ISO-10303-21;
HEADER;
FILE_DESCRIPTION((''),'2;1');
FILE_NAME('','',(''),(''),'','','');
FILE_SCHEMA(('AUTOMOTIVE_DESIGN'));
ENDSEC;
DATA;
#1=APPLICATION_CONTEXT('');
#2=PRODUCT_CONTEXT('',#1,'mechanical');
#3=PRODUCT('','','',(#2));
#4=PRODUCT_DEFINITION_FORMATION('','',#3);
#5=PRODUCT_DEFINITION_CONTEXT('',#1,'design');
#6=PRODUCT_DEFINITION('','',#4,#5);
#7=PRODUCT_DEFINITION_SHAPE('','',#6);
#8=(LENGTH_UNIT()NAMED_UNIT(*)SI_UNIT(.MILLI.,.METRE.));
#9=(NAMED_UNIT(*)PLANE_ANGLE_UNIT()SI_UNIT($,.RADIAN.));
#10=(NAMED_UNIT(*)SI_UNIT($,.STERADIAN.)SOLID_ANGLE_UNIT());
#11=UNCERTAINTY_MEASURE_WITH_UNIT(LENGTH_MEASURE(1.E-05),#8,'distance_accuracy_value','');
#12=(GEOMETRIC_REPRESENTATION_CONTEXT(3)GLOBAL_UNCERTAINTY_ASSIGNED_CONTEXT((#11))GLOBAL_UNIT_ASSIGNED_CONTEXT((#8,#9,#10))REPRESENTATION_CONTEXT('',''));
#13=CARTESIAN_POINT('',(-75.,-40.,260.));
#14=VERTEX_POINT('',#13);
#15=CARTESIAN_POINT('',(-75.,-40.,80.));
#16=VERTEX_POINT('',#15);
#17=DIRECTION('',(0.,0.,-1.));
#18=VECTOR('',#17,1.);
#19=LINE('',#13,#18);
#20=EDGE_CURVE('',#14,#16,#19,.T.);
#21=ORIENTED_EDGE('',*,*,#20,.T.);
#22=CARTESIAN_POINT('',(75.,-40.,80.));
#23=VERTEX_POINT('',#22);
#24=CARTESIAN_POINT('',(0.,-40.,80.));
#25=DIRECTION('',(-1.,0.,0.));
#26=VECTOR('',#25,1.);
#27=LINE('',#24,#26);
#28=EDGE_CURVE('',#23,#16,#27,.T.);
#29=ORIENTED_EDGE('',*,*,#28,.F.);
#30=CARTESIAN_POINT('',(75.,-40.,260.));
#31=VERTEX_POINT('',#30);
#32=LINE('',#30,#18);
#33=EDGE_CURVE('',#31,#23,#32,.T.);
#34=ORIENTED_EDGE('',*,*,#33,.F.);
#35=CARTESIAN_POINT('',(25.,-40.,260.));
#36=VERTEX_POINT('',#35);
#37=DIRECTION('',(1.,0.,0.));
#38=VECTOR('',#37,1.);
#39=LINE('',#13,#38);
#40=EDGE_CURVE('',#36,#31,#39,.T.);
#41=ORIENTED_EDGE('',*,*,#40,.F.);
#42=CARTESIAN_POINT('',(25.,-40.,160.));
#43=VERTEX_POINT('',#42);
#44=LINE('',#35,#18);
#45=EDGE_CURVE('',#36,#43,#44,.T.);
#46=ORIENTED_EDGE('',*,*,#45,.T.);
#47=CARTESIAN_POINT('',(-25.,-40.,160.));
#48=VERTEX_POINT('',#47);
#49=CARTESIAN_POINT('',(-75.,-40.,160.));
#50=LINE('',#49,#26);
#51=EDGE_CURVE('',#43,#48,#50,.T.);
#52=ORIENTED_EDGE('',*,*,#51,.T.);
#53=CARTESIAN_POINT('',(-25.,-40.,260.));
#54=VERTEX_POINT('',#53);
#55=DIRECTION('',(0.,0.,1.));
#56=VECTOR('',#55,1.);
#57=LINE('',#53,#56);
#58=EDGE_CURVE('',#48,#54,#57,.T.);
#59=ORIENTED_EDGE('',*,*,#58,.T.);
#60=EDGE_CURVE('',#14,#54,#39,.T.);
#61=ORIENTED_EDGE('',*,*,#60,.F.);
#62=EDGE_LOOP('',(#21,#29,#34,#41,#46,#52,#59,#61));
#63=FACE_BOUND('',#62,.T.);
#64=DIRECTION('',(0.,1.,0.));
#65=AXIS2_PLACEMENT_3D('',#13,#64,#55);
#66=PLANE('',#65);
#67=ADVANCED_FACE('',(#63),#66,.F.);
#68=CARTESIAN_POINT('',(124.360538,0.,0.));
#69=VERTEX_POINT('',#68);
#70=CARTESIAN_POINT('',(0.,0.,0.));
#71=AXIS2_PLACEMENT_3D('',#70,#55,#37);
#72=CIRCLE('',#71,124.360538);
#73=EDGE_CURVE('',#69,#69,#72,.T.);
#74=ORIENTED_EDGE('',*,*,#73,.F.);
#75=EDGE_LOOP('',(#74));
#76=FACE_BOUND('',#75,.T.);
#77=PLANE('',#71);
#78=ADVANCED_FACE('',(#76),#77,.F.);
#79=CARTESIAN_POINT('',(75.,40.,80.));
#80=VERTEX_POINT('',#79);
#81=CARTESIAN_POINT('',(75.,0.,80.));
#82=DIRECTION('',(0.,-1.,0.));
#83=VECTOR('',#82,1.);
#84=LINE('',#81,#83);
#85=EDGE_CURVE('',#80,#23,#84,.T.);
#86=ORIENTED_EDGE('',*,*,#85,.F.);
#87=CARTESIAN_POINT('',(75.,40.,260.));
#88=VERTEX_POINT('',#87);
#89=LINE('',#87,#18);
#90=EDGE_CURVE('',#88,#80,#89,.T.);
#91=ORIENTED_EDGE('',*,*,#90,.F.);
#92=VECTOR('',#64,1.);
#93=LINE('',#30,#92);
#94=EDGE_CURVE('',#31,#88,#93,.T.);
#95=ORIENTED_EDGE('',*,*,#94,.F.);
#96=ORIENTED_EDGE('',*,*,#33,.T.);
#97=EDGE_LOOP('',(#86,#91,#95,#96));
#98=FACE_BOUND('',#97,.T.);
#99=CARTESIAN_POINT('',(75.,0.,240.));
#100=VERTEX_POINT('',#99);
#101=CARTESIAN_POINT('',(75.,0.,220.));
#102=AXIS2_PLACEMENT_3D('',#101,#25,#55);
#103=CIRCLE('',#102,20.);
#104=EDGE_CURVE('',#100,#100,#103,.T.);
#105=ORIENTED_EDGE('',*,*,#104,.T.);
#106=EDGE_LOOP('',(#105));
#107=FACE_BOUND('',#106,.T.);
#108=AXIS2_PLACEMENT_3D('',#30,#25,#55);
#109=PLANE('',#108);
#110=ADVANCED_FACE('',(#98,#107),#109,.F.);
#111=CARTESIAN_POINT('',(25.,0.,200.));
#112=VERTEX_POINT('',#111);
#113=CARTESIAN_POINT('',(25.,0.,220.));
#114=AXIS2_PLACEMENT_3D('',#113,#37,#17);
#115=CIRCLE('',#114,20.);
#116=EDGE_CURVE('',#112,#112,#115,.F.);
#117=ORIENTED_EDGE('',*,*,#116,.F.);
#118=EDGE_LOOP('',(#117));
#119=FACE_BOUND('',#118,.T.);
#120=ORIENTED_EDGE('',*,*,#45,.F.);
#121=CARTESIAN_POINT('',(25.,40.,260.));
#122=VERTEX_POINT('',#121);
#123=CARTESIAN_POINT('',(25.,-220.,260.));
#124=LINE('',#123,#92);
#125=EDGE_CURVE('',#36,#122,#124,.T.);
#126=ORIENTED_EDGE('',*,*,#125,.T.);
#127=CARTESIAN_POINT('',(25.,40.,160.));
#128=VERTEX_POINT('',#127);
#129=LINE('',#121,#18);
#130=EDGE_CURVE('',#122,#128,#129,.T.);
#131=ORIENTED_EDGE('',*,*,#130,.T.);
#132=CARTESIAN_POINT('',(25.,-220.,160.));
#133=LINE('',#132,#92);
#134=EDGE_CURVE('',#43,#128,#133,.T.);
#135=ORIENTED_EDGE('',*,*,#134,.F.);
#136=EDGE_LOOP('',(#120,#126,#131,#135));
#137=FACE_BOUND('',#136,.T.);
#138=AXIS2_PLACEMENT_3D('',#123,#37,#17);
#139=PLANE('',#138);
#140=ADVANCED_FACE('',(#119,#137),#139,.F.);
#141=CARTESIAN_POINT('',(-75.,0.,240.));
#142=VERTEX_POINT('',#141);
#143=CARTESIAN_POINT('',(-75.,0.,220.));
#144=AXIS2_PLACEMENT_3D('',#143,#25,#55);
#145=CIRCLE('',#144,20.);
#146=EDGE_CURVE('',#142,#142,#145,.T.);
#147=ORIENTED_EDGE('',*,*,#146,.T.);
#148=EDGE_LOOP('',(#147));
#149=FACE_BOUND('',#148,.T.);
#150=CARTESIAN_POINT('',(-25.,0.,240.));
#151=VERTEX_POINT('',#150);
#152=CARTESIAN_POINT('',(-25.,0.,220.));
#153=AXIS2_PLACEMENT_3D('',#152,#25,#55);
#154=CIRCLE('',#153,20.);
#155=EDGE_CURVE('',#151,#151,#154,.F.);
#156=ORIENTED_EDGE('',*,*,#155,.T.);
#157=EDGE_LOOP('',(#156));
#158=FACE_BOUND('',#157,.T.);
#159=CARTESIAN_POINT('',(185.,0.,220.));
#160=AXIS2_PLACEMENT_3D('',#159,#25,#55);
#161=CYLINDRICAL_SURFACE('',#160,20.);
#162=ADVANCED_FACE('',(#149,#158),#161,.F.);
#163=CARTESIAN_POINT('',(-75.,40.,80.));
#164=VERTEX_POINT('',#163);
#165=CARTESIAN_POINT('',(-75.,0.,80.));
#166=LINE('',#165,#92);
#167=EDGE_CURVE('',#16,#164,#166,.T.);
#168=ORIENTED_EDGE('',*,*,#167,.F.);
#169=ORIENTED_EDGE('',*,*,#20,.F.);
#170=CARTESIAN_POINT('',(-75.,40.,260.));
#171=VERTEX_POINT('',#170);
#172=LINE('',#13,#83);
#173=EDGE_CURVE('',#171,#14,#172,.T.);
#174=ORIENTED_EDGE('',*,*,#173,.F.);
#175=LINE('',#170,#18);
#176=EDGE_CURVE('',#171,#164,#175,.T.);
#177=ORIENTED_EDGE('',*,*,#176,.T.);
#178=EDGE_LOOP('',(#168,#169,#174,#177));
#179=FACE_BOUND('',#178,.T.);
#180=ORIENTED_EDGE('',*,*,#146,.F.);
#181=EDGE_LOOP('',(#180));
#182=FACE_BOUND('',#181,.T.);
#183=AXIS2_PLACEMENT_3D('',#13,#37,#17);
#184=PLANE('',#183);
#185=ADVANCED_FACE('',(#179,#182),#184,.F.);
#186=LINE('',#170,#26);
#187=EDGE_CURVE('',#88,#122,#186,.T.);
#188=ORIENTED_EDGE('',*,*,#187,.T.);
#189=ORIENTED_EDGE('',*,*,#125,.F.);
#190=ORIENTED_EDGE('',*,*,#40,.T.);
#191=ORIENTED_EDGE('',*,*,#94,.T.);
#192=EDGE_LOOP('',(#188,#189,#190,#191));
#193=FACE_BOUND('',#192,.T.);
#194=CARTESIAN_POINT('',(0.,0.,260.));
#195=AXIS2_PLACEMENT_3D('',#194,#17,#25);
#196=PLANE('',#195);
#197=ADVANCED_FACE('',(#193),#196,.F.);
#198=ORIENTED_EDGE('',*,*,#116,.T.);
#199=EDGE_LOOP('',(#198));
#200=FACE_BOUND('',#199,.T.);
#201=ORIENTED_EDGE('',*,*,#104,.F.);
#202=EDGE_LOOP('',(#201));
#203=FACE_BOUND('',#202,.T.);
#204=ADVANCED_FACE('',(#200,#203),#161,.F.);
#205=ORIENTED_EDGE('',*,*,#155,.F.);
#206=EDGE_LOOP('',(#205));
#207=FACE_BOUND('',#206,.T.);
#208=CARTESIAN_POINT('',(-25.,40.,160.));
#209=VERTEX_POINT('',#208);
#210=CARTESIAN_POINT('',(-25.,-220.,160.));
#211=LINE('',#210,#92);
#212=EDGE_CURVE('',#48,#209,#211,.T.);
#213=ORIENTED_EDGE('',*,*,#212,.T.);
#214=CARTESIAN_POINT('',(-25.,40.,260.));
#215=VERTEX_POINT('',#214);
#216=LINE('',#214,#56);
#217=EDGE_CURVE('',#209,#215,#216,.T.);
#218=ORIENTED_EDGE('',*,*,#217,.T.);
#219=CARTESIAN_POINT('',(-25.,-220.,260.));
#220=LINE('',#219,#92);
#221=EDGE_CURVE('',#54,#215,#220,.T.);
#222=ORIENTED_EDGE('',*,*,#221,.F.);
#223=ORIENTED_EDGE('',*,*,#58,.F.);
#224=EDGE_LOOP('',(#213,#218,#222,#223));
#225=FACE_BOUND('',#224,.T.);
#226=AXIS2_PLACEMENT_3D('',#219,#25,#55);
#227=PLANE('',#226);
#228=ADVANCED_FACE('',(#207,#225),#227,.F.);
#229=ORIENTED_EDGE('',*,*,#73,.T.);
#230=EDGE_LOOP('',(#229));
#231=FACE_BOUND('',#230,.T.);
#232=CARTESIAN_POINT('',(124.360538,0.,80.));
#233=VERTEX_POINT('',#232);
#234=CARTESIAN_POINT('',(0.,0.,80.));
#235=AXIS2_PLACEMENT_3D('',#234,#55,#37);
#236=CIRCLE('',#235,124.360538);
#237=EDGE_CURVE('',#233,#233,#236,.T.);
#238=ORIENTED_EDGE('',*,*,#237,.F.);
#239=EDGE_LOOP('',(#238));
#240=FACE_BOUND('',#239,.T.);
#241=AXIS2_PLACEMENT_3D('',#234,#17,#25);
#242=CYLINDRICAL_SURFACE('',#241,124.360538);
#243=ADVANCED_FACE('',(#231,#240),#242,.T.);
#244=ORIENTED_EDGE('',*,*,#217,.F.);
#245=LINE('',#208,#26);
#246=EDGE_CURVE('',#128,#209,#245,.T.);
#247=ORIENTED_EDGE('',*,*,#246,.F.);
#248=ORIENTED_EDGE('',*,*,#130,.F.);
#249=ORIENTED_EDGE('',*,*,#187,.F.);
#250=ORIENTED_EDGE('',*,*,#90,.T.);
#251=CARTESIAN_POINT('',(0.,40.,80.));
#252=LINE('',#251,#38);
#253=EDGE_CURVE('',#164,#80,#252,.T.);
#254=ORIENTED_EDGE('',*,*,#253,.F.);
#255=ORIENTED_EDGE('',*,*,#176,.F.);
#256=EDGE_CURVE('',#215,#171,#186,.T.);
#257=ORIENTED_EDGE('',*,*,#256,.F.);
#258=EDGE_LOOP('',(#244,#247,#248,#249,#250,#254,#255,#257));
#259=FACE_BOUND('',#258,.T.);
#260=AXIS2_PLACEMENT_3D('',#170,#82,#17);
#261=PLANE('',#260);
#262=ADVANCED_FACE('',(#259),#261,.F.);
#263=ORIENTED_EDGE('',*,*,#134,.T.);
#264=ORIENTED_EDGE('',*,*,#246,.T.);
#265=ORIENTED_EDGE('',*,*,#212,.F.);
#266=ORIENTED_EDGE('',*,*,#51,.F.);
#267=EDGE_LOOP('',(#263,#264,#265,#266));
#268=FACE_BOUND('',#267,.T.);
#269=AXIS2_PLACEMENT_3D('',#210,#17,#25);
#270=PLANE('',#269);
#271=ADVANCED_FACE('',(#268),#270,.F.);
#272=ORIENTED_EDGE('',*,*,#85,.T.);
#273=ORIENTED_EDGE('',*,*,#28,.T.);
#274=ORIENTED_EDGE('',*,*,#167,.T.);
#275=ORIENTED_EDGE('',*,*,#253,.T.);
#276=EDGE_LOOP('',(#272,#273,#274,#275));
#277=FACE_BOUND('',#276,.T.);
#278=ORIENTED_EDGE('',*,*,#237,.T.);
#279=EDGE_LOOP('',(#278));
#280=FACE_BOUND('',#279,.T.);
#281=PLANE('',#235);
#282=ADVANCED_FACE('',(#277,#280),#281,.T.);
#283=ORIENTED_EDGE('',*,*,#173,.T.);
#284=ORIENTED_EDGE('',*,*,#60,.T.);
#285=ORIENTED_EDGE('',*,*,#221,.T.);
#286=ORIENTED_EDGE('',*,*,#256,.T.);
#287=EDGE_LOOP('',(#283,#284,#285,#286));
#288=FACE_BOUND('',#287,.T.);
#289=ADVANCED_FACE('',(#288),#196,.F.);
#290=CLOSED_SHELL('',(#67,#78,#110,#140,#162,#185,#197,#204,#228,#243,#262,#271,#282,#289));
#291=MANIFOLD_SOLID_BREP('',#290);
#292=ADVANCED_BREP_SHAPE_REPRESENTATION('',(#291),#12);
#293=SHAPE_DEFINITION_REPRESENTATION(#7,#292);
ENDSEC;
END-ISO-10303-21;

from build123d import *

# Parameters (mm, degrees)
SKETCH3_R           = 124.360538227
BOSS_EXTRUDE2_DEPTH = 80
SKETCH4_W           = 150
SKETCH4_H           = 80
BOSS_EXTRUDE4_DEPTH = 260
SKETCH5_R           = 20
CUT_EXTRUDE1_DEPTH  = 260
SKETCH6_W           = 50
SKETCH6_H           = 100
CUT_EXTRUDE2_DEPTH  = 260


with BuildPart() as part:
    # Sketch3 → Boss-Extrude2 (new body)
    with BuildSketch(Plane.XY):
        Circle(SKETCH3_R)
    extrude(amount=BOSS_EXTRUDE2_DEPTH)

    # Sketch4 → Boss-Extrude4 (add)
    with BuildSketch(Plane.XY):
        Rectangle(SKETCH4_W, SKETCH4_H)
    extrude(amount=BOSS_EXTRUDE4_DEPTH)

    # Sketch5 → Cut-Extrude1 (cut)
    with BuildSketch(Plane.ZY.offset(75)):
        with Locations((220, 0)):
            Circle(SKETCH5_R)
    extrude(amount=-CUT_EXTRUDE1_DEPTH, mode=Mode.SUBTRACT)

    # Sketch6 → Cut-Extrude2 (cut)
    with BuildSketch(Plane(origin=(0, 40, 0), x_dir=(1, 0, 0), z_dir=(0, 1, 0))):
        with Locations((0, -210)):
            Rectangle(SKETCH6_W, SKETCH6_H)
    extrude(amount=-CUT_EXTRUDE2_DEPTH, mode=Mode.SUBTRACT)


solid = part.part
